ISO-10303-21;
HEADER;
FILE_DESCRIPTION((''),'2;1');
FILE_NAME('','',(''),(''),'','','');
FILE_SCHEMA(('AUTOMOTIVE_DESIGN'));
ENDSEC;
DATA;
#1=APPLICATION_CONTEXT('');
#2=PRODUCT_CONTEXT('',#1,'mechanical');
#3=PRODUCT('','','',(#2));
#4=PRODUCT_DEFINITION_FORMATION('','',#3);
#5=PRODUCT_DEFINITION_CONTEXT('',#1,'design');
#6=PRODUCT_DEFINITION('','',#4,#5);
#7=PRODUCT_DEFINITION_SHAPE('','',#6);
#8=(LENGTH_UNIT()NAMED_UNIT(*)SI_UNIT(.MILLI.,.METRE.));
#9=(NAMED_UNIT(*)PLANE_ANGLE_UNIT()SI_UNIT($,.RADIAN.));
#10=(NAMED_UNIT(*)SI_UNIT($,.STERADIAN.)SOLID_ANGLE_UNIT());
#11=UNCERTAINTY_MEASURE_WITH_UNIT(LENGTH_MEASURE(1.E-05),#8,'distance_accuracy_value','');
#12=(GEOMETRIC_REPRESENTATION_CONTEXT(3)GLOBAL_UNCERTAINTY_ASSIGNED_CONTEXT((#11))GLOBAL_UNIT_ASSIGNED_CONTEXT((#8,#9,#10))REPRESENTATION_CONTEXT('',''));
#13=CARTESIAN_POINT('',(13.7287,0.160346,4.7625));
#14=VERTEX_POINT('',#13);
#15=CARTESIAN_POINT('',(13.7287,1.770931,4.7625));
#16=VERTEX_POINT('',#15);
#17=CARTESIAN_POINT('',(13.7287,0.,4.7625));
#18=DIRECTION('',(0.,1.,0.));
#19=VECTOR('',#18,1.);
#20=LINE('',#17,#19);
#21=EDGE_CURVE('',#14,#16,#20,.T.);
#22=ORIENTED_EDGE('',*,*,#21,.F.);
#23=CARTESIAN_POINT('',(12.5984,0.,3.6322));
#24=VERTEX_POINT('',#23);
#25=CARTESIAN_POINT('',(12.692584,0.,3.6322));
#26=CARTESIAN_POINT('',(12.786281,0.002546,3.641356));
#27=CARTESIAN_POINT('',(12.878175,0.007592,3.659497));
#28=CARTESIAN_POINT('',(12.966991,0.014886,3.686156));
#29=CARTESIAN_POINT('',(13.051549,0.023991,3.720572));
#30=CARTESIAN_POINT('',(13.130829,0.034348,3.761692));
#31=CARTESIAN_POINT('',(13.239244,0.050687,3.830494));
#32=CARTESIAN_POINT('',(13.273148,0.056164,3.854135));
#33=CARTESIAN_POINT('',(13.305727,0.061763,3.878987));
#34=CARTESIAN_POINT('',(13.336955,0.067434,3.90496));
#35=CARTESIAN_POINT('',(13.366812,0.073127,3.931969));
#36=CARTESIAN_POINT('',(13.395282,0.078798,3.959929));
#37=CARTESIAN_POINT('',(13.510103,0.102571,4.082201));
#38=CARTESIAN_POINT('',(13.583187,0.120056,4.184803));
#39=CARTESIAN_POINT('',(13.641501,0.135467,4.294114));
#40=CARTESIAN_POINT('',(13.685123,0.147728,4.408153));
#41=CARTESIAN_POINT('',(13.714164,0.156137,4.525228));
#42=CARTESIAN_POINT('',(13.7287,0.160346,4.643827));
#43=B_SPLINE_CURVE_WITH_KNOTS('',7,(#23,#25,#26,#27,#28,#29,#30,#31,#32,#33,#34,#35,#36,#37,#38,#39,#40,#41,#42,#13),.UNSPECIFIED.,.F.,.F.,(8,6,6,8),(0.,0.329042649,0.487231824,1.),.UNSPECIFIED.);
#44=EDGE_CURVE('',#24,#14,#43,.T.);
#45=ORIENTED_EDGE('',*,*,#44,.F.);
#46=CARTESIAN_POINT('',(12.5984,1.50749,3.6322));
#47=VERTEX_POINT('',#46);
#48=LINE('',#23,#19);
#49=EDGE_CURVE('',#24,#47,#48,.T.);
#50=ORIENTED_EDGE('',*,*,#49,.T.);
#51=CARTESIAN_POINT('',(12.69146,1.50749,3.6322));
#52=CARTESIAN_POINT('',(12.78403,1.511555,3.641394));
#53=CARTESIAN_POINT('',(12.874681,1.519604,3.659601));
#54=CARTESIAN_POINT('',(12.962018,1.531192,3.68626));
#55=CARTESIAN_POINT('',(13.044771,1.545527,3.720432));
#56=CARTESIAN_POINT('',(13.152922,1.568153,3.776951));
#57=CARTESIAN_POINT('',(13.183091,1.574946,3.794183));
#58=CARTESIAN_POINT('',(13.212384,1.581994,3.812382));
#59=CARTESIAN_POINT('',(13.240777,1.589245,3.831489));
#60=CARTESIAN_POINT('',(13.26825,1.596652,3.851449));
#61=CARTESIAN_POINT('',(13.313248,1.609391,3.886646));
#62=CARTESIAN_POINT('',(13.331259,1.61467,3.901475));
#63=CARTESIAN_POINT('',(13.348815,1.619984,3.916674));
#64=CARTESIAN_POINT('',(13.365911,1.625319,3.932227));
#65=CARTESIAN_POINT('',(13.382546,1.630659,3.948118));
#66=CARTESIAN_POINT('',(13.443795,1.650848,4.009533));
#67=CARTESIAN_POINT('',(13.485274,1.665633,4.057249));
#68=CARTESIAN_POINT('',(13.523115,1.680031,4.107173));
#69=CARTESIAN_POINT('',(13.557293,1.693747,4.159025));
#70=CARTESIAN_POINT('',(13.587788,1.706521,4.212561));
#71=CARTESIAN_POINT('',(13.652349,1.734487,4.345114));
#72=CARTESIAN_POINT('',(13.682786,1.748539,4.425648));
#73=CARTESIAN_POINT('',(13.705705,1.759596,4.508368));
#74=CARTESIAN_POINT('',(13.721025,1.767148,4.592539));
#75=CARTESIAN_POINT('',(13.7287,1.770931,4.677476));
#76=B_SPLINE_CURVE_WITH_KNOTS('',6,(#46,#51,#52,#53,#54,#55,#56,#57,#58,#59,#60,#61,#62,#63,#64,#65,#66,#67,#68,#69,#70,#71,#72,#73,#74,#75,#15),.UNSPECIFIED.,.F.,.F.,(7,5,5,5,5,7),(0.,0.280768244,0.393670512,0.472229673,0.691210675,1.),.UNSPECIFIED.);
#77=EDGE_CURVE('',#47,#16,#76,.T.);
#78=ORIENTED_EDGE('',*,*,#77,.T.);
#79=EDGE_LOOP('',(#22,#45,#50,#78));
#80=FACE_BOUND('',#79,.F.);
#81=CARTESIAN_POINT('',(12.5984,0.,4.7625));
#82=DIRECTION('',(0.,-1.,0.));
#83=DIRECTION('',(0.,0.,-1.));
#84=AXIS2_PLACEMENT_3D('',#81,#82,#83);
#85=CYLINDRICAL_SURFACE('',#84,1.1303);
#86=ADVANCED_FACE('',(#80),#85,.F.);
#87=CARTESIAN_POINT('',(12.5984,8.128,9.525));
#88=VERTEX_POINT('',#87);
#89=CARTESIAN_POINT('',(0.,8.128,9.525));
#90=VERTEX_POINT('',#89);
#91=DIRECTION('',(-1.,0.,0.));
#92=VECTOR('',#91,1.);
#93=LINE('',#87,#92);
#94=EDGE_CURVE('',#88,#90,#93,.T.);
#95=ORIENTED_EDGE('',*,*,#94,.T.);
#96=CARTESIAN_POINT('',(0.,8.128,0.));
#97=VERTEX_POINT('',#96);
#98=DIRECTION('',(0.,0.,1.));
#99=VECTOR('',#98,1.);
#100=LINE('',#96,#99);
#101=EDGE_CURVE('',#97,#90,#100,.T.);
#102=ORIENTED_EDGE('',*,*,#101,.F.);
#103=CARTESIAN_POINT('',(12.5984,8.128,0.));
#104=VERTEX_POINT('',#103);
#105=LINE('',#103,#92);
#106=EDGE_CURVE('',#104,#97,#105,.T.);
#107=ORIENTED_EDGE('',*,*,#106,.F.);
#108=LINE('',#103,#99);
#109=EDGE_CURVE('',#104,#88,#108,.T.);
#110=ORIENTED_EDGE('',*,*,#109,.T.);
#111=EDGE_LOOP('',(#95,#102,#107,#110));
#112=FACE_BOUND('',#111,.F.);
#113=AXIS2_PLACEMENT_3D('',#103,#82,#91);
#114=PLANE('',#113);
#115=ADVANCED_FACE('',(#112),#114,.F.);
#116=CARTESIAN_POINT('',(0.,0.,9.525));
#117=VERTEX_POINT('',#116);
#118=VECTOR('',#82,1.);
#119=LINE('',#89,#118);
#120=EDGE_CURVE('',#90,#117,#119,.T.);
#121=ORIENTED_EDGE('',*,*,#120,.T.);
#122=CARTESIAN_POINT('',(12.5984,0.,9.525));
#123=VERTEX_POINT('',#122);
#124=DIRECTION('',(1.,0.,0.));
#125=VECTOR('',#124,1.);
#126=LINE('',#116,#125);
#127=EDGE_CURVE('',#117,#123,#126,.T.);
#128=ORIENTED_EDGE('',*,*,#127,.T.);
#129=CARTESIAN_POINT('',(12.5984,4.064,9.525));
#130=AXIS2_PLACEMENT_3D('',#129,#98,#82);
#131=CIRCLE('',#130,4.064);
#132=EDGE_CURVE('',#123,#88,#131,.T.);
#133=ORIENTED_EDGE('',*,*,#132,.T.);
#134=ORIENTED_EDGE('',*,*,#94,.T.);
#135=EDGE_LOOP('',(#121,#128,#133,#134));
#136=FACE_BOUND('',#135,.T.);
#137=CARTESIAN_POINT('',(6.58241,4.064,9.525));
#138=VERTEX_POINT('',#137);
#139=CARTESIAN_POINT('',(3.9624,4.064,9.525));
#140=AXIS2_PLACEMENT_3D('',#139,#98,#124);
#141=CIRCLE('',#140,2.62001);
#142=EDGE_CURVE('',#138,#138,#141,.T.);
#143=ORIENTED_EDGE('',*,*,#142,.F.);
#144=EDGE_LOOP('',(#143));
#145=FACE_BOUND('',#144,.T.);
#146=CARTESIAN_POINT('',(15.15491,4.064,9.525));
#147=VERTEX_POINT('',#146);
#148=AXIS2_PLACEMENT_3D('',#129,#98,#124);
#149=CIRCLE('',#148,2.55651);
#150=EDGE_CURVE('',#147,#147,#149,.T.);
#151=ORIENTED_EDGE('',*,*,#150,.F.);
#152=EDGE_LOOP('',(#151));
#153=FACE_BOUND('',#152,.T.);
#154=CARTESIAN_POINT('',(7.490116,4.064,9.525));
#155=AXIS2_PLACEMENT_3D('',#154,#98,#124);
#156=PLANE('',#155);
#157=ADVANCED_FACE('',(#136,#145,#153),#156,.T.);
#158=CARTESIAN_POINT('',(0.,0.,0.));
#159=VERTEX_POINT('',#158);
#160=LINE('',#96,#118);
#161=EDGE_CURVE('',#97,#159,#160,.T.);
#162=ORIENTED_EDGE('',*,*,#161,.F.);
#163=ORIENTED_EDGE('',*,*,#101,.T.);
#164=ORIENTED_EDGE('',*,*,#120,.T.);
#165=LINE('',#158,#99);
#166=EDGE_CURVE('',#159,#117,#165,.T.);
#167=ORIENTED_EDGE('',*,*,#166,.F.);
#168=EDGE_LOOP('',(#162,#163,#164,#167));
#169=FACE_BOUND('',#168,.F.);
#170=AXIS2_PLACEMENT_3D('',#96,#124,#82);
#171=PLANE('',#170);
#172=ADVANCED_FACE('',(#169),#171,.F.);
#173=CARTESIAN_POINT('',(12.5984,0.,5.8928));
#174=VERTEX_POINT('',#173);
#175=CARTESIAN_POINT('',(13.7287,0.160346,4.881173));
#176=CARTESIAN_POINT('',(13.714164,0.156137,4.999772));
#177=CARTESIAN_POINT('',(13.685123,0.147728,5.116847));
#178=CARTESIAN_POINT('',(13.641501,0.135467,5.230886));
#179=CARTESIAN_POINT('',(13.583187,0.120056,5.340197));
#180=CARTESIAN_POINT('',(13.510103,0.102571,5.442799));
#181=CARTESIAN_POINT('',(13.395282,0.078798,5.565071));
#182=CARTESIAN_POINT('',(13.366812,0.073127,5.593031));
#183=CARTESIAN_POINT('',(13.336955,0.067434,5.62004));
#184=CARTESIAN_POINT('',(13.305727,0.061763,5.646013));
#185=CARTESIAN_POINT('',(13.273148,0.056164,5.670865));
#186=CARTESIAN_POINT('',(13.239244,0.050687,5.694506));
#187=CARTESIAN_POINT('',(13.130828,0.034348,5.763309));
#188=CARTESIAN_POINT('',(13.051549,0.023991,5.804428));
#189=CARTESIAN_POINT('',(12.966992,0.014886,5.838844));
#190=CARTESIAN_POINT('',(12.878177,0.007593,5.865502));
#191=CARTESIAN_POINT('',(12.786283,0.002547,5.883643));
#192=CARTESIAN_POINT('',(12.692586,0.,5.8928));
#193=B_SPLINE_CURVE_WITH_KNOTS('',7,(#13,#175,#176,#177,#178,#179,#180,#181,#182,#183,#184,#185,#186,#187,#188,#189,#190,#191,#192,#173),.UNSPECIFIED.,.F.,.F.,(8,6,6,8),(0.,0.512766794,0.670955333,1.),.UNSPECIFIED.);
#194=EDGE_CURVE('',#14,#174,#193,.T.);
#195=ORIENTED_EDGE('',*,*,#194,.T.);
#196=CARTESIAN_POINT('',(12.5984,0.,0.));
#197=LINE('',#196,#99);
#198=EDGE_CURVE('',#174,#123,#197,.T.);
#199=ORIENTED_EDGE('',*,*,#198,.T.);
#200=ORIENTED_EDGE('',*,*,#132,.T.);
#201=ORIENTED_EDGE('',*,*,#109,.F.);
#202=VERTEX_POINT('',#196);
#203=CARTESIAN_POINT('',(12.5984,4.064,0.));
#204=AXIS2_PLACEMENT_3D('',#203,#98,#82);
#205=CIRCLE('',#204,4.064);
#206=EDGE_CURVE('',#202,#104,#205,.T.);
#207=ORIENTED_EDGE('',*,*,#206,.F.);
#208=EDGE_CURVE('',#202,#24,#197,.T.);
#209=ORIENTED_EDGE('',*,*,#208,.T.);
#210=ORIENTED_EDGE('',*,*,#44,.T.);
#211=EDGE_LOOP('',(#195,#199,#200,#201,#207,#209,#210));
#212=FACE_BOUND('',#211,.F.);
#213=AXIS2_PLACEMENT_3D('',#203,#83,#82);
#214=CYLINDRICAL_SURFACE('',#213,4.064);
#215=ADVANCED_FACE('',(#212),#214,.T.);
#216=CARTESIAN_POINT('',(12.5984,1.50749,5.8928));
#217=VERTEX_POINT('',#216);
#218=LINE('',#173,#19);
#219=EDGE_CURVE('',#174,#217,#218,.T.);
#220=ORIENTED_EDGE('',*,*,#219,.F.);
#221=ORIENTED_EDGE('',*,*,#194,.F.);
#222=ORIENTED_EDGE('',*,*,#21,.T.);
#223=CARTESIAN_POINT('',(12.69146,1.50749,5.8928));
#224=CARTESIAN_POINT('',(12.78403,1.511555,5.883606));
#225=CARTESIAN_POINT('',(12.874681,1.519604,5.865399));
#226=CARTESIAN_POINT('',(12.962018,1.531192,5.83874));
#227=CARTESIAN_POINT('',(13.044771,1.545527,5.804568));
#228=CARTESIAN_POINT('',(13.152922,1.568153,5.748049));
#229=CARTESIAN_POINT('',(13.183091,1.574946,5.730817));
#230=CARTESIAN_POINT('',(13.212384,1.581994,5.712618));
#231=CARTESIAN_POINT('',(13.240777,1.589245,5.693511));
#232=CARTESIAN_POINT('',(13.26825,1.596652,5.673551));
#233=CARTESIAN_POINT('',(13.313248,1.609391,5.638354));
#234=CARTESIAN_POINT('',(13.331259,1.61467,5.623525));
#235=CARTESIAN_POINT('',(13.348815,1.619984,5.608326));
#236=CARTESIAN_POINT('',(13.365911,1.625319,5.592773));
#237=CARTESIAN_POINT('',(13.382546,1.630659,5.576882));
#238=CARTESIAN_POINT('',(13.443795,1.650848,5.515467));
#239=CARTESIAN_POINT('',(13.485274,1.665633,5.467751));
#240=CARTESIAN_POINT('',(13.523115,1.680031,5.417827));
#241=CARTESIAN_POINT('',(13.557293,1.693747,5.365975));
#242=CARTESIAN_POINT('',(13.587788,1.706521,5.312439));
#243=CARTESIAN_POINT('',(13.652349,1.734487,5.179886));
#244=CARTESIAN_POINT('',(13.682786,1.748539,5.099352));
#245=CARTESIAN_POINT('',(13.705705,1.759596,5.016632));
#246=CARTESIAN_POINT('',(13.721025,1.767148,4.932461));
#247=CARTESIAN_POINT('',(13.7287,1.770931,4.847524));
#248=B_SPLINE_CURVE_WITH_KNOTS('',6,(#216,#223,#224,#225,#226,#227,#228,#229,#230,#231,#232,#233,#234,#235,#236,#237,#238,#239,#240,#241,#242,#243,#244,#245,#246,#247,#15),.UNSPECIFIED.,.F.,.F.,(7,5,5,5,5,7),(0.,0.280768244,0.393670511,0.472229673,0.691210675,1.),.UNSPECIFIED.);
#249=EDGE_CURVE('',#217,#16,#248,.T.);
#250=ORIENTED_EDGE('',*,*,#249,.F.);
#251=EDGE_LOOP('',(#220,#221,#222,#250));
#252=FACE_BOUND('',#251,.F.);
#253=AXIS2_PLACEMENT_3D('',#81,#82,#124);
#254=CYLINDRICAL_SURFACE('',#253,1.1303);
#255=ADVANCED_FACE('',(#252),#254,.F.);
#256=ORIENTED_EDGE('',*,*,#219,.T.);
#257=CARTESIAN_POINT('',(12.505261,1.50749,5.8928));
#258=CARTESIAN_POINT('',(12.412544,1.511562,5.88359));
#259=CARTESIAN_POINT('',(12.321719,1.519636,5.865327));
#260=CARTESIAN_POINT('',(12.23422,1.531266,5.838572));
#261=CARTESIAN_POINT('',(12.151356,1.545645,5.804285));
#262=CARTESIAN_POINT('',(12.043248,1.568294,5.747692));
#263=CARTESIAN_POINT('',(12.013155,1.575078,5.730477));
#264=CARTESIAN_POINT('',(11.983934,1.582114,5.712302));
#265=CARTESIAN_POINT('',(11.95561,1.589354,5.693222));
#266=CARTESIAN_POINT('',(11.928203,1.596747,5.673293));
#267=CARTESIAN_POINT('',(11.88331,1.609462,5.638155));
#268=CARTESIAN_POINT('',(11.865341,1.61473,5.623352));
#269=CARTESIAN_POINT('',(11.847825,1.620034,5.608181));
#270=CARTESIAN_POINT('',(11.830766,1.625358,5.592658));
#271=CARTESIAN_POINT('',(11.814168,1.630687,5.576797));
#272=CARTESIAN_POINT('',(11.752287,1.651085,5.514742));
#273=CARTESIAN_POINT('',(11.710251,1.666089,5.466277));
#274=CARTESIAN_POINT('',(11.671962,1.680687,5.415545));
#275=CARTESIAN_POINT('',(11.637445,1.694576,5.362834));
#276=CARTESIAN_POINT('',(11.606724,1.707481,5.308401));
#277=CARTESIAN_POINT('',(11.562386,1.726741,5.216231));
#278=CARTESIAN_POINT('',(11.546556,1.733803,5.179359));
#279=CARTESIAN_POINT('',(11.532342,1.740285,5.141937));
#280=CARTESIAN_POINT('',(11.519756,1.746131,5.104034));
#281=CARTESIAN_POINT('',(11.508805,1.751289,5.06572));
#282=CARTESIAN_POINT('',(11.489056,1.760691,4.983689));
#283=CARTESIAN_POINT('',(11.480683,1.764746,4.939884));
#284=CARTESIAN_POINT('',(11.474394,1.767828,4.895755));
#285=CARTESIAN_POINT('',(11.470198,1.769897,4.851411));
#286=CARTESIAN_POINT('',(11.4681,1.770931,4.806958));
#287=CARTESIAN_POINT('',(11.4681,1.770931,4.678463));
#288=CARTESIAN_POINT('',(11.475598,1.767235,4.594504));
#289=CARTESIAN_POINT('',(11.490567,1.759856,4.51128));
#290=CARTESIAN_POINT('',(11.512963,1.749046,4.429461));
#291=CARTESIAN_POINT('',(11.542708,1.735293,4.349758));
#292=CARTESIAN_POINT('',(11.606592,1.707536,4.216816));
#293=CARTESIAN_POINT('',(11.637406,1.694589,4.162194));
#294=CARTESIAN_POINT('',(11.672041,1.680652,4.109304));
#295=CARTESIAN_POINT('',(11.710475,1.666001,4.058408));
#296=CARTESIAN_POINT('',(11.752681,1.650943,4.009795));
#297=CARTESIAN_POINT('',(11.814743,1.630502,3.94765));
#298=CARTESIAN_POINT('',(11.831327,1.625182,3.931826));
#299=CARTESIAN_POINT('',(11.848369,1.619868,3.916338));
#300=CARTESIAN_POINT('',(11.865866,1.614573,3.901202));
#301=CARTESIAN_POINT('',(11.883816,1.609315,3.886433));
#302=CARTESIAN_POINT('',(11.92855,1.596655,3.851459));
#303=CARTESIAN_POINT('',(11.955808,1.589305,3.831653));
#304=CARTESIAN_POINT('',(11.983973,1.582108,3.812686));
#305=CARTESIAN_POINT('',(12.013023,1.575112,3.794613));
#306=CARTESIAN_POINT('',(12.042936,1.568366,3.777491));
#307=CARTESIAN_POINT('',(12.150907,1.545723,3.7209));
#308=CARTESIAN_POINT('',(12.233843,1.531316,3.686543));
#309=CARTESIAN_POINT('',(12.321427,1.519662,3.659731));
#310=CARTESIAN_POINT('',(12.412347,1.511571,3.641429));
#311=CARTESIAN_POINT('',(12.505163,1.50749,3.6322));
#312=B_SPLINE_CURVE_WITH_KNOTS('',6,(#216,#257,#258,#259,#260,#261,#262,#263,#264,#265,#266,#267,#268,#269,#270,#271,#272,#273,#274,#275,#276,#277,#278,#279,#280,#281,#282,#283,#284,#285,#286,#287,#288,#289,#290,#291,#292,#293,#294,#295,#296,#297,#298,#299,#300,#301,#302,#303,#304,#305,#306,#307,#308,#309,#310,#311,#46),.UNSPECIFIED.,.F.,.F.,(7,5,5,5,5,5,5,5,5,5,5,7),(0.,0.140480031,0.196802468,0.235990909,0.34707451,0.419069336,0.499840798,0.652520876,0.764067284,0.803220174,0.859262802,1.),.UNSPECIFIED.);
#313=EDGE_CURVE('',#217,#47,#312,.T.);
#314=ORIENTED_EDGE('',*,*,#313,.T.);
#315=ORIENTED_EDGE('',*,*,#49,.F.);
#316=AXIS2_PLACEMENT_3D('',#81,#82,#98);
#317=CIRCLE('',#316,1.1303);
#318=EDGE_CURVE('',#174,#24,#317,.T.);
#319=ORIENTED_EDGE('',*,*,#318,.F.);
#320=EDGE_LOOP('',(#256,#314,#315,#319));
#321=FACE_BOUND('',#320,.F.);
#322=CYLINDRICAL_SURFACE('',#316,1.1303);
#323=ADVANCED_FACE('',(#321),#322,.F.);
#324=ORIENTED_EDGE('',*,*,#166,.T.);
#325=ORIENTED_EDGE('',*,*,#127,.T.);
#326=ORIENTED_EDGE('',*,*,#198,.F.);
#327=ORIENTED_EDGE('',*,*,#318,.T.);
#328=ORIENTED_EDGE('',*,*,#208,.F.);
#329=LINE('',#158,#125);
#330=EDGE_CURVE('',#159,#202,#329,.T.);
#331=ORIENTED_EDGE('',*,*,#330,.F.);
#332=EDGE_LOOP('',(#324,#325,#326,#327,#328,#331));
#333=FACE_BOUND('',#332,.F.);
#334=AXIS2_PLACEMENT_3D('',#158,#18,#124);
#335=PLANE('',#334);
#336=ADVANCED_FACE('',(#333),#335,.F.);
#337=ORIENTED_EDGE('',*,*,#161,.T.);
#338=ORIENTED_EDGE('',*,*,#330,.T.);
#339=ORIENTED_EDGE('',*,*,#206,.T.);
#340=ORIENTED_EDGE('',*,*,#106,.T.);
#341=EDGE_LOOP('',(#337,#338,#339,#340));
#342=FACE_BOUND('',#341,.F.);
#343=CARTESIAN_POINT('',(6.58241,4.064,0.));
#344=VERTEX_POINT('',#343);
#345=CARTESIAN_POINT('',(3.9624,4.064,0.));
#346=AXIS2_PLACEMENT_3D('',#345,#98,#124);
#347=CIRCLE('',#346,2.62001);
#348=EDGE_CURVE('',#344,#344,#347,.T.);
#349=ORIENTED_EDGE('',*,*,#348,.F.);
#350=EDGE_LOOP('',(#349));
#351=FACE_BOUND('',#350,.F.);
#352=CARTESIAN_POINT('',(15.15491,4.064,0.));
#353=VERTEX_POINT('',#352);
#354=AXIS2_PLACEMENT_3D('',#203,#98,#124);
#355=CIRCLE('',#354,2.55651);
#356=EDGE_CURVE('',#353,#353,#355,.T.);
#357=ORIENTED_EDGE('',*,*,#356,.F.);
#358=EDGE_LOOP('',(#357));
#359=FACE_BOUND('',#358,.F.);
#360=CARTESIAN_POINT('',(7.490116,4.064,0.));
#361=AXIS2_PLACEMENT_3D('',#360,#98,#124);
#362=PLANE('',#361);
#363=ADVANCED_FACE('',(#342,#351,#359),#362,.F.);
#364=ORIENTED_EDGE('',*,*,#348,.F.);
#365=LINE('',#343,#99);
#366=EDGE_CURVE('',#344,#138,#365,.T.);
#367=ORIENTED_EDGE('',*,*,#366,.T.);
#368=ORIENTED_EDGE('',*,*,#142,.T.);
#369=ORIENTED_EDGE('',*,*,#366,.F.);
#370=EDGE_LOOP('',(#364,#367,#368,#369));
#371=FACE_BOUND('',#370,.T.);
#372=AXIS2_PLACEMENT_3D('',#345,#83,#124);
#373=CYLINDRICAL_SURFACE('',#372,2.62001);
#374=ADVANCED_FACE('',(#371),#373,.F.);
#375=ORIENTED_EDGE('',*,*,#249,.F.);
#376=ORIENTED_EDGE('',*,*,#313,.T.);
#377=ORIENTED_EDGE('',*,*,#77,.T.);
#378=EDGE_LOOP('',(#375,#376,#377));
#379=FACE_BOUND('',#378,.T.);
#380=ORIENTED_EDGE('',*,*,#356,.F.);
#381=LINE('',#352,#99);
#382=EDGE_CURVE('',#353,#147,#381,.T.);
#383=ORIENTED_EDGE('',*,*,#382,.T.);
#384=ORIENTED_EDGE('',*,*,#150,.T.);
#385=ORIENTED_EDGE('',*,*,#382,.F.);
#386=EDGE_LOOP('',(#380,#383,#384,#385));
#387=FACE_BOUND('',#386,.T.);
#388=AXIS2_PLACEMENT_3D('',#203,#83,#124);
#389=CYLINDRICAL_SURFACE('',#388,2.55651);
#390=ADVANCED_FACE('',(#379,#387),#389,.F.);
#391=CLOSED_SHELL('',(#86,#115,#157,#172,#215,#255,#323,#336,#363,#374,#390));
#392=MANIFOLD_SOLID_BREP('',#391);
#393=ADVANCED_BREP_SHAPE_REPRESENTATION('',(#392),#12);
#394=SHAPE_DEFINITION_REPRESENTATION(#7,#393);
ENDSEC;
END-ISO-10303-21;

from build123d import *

# Parameters (mm, degrees)
F0_R     = 2.62001
F0_R_2   = 2.55651
F1_DEPTH = 9.525
F3_DEPTH = 1.7719311324


with BuildPart() as f1:
    # F0 (on Top) → F1 (new body)
    with BuildSketch(Plane.XY):
        with BuildLine():
            Line((0, 8.128), (0, 0))
            Line((0, 0), (12.5984, 0))
            ThreePointArc((12.5984, 0), (16.6624, 4.064), (12.5984, 8.128))
            Line((12.5984, 8.128), (0, 8.128))
        make_face()
        with Locations((3.9624, 4.064)):
            Circle(F0_R, mode=Mode.SUBTRACT)
        with Locations((12.5984, 4.064)):
            Circle(F0_R_2, mode=Mode.SUBTRACT)
    extrude(amount=F1_DEPTH)

    # F2 (on face) → F3 (cut, through all)
    with BuildSketch(Plane.XZ):
        with BuildLine():
            Line((12.5984, 3.6322), (12.5984, 5.8928))
            ThreePointArc((12.5984, 5.8928), (11.4681, 4.7625), (12.5984, 3.6322))
        make_face()
        with BuildLine():
            ThreePointArc((12.5984, 3.6322), (13.3976427948, 3.9632572052), (13.7287, 4.7625))
            ThreePointArc((13.7287, 4.7625), (13.3976427948, 5.5617427948), (12.5984, 5.8928))
            Line((12.5984, 5.8928), (12.5984, 3.6322))
        make_face()
    extrude(amount=-F3_DEPTH, mode=Mode.SUBTRACT)


solid = f1.part
